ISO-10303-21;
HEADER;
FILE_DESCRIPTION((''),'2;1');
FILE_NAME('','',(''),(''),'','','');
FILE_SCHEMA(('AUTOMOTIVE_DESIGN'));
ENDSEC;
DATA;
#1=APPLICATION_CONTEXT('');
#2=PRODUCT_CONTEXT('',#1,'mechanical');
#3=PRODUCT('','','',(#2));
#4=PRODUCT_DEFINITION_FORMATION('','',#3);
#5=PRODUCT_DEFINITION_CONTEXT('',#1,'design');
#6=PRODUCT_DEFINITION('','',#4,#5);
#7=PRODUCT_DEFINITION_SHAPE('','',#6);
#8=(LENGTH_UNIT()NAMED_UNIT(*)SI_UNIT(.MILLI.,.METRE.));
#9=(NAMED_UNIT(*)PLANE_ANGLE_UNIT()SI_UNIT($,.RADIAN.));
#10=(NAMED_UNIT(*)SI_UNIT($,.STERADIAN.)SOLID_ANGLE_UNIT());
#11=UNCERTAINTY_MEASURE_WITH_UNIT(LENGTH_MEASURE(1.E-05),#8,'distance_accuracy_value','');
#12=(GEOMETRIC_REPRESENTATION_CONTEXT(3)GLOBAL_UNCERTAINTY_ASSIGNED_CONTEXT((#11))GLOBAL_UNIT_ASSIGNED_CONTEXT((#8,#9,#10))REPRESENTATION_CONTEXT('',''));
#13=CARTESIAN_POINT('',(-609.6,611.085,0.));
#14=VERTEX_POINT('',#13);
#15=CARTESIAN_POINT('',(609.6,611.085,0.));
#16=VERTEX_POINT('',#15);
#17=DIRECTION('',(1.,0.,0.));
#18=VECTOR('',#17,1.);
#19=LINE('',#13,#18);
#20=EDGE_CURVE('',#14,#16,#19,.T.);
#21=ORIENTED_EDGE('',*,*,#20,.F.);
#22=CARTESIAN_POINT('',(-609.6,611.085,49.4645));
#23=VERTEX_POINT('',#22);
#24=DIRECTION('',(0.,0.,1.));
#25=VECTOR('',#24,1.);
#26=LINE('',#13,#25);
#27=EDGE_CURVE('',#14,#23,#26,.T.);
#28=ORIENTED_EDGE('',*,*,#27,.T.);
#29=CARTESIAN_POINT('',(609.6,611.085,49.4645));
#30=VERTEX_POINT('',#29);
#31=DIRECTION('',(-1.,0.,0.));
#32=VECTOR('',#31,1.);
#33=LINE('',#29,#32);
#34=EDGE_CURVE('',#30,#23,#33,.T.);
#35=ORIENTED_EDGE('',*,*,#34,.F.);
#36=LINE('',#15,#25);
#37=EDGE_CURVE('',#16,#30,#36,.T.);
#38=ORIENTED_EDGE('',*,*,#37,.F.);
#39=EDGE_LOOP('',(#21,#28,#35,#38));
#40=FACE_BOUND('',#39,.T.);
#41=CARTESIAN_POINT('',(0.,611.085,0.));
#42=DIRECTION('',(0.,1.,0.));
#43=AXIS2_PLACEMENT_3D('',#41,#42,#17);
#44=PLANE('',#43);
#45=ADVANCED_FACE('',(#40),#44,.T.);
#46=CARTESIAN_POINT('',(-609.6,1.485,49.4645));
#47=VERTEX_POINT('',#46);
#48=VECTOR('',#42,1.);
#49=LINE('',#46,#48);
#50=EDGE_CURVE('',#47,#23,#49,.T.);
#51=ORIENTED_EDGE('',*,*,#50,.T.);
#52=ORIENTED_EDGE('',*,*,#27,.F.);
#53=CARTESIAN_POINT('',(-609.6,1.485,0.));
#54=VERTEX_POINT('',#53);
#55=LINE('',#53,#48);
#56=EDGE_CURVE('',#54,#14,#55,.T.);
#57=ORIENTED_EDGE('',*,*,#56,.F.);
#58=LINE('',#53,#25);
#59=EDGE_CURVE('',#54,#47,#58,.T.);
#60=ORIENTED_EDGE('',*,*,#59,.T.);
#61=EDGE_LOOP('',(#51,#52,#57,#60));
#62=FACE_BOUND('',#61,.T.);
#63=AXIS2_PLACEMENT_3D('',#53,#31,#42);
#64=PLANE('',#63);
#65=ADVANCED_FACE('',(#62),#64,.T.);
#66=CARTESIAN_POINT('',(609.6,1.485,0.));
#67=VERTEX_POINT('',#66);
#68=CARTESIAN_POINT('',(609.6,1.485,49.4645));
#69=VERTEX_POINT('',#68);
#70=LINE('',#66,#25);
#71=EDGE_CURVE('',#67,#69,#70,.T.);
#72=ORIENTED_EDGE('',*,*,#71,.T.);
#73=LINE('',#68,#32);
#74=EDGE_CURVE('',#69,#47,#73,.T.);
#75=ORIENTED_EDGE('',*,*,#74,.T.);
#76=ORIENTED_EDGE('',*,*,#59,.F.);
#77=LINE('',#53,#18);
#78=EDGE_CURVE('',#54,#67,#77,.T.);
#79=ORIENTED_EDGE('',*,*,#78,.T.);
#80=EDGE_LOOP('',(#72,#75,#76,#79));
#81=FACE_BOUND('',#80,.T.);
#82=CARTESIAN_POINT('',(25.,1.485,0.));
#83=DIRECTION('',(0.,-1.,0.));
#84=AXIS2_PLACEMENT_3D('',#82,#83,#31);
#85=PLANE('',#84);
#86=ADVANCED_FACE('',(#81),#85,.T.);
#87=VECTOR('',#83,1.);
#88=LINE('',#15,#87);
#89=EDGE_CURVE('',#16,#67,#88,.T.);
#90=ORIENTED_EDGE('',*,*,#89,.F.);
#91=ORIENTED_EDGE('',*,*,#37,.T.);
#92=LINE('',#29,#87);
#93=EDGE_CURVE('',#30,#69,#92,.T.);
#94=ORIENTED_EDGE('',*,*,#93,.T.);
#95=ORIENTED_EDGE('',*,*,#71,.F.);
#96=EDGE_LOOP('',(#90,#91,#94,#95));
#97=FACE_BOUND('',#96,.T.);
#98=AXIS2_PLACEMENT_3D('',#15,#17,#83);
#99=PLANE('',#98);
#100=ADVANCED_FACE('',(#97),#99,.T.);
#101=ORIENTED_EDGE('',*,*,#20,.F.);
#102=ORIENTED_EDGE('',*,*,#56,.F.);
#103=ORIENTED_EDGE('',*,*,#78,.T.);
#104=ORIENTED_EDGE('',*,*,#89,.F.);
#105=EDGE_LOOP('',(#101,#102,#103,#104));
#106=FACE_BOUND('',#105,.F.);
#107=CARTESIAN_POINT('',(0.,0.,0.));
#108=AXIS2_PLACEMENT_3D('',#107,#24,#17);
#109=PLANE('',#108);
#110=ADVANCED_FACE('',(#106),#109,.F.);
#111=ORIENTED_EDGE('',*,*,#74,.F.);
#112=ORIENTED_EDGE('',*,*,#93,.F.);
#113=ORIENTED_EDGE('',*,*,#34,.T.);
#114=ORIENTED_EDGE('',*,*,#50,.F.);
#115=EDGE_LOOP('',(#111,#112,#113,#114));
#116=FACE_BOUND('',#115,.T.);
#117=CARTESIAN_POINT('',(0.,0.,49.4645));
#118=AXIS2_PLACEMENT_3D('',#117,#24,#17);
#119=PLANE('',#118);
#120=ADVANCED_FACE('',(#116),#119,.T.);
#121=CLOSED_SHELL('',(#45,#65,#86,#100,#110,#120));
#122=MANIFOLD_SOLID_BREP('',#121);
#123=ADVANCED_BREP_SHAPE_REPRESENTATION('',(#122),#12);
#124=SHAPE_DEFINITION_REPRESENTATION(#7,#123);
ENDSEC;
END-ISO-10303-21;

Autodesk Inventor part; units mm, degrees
ref_plane "YZ Plane" through (0, 0, 0) normal (1, 0, 0) x (0, 1, 0)
ref_plane "XZ Plane" through (0, 0, 0) normal (0, 1, 0) x (-1, 0, 0)
sketch "Sketch1" plane through (0, 0, 0) normal (0, 0, 1) x (1, 0, 0)
  line L0 (25, 1.485) -> (-25, 1.485) projected
  line L1 (0, 1.485) -> (-609.6, 1.485)
  line L2 (-609.6, 1.485) -> (-609.6, 611.085)
  line L3 (-609.6, 611.085) -> (0, 611.085)
  line L4 (0, 611.085) -> (0, 1.485)
  line L5 (0, 611.085) -> (609.6, 611.085)
  line L6 (609.6, 611.085) -> (609.6, 1.485)
  line L7 (609.6, 1.485) -> (0, 1.485)
  line L8 (0, 1.485) -> (0, 611.085)
  point P0 (0, 0)
  dimension "d0" = 609.6
  dimension "d1" = 609.6
  dimension "d2" = 609.6
  dimension "d3" = 609.6
ref_plane "Work Plane1" through (-13.0355, 23.609, 49.4645) normal (0, 0, -1) x (0, 1, 0)
extrude "Extrusion1" add sketch "Sketch1" along normal up to surface (49.4645 mm away)
properties part number "block_of_wood" material "Wood (Walnut)"
